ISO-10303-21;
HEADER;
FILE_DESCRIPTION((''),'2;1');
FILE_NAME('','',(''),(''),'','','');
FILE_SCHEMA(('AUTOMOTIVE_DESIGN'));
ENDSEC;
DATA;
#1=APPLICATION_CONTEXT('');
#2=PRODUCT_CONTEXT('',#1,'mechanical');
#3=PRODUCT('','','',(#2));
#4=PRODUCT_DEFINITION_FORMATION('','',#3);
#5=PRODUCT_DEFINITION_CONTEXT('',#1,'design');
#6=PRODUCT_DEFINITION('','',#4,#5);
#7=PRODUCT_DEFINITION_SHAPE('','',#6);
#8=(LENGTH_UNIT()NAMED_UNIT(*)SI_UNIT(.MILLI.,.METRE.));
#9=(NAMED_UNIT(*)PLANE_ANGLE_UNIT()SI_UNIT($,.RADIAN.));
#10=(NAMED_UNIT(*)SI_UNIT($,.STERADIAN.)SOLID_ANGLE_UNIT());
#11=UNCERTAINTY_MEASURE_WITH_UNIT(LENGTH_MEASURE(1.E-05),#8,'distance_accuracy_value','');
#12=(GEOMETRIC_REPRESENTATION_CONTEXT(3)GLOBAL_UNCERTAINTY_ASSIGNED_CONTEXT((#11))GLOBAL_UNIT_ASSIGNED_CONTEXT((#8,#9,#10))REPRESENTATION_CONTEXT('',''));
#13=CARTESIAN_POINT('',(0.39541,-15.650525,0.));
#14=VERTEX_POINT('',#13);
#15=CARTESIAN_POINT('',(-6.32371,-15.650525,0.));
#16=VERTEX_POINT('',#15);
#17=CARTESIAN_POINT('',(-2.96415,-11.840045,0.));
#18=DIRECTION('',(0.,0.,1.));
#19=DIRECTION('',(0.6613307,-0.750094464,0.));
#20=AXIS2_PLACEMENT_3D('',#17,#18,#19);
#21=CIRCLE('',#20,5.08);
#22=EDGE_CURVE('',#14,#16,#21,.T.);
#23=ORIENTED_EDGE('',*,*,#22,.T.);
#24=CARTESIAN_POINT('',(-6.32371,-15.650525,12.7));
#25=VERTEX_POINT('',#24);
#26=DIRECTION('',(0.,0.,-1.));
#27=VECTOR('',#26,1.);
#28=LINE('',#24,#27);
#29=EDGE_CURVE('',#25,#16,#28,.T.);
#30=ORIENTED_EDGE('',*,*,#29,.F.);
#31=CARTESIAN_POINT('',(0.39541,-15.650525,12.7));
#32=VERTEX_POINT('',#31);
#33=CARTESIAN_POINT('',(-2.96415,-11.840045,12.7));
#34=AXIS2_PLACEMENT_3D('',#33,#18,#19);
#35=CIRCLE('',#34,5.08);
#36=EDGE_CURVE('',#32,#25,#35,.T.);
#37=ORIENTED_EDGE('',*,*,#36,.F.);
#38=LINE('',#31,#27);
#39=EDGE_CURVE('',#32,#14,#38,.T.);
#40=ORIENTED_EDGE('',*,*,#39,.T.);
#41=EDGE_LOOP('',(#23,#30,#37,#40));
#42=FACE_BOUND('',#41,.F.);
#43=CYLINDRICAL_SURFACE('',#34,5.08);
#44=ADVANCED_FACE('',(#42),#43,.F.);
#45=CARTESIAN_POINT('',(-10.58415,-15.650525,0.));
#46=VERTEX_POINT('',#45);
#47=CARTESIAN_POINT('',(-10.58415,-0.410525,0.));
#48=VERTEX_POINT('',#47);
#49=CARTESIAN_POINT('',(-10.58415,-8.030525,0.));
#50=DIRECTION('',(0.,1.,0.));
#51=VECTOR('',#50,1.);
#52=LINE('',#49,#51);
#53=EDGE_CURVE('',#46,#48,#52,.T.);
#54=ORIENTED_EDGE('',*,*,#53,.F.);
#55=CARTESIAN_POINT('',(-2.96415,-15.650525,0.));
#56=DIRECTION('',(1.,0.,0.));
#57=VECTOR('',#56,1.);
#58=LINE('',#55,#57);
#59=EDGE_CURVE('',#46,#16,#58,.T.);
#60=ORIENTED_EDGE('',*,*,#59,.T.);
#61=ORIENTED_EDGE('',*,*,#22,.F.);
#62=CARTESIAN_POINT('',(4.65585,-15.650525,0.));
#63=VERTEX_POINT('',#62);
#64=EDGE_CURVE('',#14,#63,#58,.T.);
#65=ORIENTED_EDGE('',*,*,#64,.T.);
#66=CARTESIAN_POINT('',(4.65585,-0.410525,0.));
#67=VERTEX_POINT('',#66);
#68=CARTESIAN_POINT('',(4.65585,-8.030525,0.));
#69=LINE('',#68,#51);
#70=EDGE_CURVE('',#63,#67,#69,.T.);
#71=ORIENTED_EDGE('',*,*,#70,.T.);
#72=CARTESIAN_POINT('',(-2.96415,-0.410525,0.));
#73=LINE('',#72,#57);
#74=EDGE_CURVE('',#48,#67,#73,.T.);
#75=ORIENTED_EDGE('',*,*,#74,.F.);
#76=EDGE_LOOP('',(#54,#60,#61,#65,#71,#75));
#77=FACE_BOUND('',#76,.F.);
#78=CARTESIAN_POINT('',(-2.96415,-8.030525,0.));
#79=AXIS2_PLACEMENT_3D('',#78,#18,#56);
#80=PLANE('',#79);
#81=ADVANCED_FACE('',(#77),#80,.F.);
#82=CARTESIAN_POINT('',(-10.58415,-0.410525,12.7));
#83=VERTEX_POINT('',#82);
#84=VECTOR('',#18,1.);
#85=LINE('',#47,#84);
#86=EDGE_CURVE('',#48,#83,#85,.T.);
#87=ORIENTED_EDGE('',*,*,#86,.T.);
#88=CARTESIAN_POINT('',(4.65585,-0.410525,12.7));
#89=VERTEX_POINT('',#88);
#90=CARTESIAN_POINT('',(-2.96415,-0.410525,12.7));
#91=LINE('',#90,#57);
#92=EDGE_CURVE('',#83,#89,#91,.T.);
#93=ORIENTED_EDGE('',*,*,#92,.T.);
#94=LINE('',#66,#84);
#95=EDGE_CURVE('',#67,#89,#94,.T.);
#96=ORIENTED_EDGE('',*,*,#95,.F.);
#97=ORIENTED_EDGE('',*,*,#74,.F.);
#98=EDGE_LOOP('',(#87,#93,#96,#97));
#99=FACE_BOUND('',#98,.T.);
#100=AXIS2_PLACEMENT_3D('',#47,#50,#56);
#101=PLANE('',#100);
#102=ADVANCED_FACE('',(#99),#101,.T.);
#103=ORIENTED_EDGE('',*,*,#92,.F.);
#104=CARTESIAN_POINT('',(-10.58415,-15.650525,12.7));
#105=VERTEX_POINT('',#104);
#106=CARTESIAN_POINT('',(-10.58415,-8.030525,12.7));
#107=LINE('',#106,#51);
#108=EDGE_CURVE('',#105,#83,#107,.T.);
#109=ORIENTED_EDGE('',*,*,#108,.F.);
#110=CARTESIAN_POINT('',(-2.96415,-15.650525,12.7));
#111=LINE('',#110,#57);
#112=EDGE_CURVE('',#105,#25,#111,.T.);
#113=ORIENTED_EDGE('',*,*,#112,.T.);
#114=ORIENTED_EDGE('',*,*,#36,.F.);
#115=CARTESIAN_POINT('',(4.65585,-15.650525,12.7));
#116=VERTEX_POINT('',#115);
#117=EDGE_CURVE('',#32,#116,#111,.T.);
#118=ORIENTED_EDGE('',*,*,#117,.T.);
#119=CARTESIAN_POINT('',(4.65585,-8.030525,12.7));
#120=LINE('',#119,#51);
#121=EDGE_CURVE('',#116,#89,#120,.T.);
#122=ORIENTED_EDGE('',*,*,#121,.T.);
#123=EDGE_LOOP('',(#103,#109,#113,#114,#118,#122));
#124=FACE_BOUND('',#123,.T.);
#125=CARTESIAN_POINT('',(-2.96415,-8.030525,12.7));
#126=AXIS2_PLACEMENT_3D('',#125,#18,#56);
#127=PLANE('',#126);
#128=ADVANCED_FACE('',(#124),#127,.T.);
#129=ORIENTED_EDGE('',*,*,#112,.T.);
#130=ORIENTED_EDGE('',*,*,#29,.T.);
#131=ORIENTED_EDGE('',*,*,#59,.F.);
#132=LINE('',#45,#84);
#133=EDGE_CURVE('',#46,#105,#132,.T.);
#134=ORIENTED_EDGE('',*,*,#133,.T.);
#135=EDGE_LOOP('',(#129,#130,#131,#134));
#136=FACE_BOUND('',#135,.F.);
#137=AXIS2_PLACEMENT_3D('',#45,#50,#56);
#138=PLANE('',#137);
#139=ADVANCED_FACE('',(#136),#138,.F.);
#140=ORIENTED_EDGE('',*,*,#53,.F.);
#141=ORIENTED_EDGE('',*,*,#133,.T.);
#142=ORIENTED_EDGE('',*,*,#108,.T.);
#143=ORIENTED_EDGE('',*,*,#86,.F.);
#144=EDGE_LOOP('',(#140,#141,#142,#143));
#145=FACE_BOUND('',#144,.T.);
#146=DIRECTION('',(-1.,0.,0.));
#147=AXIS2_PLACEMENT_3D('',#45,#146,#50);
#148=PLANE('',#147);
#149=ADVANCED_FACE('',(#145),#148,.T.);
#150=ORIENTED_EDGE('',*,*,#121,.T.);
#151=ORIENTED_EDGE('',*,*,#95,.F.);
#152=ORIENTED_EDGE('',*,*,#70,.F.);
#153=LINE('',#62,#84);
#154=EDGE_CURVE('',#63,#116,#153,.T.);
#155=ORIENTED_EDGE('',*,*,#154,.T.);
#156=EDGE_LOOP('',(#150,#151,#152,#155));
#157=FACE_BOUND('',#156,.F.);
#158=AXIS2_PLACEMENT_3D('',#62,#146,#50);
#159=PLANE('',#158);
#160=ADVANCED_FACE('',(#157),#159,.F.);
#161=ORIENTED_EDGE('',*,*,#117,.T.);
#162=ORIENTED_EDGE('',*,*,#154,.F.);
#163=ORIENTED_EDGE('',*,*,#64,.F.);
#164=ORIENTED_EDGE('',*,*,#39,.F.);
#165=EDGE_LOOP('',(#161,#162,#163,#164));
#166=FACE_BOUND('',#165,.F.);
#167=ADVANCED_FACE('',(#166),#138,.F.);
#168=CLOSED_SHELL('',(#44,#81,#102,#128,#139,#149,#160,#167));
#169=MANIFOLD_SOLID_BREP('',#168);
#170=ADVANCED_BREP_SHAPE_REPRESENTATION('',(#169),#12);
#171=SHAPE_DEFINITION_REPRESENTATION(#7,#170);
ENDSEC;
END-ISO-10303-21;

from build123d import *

# Parameters (mm, degrees)
F0_W     = 15.24
F0_H     = 15.24
F1_DEPTH = 12.7
F3_DEPTH = 12.7


with BuildPart() as f1:
    # F0 (on Top) → F1 (new body)
    with BuildSketch(Plane.XY):
        with Locations((-2.96415, -8.030525)):
            Rectangle(F0_W, F0_H)
    extrude(amount=F1_DEPTH)

    # F2 (on face) → F3 (cut)
    with BuildSketch(Plane.XY.offset(12.7)):
        with BuildLine():
            Line((-6.32371, -15.650525), (0.39541, -15.650525))
            ThreePointArc((0.39541, -15.650525), (-2.96415, -6.760045), (-6.32371, -15.650525))
        make_face()
    extrude(amount=-F3_DEPTH, mode=Mode.SUBTRACT)


solid = f1.part
